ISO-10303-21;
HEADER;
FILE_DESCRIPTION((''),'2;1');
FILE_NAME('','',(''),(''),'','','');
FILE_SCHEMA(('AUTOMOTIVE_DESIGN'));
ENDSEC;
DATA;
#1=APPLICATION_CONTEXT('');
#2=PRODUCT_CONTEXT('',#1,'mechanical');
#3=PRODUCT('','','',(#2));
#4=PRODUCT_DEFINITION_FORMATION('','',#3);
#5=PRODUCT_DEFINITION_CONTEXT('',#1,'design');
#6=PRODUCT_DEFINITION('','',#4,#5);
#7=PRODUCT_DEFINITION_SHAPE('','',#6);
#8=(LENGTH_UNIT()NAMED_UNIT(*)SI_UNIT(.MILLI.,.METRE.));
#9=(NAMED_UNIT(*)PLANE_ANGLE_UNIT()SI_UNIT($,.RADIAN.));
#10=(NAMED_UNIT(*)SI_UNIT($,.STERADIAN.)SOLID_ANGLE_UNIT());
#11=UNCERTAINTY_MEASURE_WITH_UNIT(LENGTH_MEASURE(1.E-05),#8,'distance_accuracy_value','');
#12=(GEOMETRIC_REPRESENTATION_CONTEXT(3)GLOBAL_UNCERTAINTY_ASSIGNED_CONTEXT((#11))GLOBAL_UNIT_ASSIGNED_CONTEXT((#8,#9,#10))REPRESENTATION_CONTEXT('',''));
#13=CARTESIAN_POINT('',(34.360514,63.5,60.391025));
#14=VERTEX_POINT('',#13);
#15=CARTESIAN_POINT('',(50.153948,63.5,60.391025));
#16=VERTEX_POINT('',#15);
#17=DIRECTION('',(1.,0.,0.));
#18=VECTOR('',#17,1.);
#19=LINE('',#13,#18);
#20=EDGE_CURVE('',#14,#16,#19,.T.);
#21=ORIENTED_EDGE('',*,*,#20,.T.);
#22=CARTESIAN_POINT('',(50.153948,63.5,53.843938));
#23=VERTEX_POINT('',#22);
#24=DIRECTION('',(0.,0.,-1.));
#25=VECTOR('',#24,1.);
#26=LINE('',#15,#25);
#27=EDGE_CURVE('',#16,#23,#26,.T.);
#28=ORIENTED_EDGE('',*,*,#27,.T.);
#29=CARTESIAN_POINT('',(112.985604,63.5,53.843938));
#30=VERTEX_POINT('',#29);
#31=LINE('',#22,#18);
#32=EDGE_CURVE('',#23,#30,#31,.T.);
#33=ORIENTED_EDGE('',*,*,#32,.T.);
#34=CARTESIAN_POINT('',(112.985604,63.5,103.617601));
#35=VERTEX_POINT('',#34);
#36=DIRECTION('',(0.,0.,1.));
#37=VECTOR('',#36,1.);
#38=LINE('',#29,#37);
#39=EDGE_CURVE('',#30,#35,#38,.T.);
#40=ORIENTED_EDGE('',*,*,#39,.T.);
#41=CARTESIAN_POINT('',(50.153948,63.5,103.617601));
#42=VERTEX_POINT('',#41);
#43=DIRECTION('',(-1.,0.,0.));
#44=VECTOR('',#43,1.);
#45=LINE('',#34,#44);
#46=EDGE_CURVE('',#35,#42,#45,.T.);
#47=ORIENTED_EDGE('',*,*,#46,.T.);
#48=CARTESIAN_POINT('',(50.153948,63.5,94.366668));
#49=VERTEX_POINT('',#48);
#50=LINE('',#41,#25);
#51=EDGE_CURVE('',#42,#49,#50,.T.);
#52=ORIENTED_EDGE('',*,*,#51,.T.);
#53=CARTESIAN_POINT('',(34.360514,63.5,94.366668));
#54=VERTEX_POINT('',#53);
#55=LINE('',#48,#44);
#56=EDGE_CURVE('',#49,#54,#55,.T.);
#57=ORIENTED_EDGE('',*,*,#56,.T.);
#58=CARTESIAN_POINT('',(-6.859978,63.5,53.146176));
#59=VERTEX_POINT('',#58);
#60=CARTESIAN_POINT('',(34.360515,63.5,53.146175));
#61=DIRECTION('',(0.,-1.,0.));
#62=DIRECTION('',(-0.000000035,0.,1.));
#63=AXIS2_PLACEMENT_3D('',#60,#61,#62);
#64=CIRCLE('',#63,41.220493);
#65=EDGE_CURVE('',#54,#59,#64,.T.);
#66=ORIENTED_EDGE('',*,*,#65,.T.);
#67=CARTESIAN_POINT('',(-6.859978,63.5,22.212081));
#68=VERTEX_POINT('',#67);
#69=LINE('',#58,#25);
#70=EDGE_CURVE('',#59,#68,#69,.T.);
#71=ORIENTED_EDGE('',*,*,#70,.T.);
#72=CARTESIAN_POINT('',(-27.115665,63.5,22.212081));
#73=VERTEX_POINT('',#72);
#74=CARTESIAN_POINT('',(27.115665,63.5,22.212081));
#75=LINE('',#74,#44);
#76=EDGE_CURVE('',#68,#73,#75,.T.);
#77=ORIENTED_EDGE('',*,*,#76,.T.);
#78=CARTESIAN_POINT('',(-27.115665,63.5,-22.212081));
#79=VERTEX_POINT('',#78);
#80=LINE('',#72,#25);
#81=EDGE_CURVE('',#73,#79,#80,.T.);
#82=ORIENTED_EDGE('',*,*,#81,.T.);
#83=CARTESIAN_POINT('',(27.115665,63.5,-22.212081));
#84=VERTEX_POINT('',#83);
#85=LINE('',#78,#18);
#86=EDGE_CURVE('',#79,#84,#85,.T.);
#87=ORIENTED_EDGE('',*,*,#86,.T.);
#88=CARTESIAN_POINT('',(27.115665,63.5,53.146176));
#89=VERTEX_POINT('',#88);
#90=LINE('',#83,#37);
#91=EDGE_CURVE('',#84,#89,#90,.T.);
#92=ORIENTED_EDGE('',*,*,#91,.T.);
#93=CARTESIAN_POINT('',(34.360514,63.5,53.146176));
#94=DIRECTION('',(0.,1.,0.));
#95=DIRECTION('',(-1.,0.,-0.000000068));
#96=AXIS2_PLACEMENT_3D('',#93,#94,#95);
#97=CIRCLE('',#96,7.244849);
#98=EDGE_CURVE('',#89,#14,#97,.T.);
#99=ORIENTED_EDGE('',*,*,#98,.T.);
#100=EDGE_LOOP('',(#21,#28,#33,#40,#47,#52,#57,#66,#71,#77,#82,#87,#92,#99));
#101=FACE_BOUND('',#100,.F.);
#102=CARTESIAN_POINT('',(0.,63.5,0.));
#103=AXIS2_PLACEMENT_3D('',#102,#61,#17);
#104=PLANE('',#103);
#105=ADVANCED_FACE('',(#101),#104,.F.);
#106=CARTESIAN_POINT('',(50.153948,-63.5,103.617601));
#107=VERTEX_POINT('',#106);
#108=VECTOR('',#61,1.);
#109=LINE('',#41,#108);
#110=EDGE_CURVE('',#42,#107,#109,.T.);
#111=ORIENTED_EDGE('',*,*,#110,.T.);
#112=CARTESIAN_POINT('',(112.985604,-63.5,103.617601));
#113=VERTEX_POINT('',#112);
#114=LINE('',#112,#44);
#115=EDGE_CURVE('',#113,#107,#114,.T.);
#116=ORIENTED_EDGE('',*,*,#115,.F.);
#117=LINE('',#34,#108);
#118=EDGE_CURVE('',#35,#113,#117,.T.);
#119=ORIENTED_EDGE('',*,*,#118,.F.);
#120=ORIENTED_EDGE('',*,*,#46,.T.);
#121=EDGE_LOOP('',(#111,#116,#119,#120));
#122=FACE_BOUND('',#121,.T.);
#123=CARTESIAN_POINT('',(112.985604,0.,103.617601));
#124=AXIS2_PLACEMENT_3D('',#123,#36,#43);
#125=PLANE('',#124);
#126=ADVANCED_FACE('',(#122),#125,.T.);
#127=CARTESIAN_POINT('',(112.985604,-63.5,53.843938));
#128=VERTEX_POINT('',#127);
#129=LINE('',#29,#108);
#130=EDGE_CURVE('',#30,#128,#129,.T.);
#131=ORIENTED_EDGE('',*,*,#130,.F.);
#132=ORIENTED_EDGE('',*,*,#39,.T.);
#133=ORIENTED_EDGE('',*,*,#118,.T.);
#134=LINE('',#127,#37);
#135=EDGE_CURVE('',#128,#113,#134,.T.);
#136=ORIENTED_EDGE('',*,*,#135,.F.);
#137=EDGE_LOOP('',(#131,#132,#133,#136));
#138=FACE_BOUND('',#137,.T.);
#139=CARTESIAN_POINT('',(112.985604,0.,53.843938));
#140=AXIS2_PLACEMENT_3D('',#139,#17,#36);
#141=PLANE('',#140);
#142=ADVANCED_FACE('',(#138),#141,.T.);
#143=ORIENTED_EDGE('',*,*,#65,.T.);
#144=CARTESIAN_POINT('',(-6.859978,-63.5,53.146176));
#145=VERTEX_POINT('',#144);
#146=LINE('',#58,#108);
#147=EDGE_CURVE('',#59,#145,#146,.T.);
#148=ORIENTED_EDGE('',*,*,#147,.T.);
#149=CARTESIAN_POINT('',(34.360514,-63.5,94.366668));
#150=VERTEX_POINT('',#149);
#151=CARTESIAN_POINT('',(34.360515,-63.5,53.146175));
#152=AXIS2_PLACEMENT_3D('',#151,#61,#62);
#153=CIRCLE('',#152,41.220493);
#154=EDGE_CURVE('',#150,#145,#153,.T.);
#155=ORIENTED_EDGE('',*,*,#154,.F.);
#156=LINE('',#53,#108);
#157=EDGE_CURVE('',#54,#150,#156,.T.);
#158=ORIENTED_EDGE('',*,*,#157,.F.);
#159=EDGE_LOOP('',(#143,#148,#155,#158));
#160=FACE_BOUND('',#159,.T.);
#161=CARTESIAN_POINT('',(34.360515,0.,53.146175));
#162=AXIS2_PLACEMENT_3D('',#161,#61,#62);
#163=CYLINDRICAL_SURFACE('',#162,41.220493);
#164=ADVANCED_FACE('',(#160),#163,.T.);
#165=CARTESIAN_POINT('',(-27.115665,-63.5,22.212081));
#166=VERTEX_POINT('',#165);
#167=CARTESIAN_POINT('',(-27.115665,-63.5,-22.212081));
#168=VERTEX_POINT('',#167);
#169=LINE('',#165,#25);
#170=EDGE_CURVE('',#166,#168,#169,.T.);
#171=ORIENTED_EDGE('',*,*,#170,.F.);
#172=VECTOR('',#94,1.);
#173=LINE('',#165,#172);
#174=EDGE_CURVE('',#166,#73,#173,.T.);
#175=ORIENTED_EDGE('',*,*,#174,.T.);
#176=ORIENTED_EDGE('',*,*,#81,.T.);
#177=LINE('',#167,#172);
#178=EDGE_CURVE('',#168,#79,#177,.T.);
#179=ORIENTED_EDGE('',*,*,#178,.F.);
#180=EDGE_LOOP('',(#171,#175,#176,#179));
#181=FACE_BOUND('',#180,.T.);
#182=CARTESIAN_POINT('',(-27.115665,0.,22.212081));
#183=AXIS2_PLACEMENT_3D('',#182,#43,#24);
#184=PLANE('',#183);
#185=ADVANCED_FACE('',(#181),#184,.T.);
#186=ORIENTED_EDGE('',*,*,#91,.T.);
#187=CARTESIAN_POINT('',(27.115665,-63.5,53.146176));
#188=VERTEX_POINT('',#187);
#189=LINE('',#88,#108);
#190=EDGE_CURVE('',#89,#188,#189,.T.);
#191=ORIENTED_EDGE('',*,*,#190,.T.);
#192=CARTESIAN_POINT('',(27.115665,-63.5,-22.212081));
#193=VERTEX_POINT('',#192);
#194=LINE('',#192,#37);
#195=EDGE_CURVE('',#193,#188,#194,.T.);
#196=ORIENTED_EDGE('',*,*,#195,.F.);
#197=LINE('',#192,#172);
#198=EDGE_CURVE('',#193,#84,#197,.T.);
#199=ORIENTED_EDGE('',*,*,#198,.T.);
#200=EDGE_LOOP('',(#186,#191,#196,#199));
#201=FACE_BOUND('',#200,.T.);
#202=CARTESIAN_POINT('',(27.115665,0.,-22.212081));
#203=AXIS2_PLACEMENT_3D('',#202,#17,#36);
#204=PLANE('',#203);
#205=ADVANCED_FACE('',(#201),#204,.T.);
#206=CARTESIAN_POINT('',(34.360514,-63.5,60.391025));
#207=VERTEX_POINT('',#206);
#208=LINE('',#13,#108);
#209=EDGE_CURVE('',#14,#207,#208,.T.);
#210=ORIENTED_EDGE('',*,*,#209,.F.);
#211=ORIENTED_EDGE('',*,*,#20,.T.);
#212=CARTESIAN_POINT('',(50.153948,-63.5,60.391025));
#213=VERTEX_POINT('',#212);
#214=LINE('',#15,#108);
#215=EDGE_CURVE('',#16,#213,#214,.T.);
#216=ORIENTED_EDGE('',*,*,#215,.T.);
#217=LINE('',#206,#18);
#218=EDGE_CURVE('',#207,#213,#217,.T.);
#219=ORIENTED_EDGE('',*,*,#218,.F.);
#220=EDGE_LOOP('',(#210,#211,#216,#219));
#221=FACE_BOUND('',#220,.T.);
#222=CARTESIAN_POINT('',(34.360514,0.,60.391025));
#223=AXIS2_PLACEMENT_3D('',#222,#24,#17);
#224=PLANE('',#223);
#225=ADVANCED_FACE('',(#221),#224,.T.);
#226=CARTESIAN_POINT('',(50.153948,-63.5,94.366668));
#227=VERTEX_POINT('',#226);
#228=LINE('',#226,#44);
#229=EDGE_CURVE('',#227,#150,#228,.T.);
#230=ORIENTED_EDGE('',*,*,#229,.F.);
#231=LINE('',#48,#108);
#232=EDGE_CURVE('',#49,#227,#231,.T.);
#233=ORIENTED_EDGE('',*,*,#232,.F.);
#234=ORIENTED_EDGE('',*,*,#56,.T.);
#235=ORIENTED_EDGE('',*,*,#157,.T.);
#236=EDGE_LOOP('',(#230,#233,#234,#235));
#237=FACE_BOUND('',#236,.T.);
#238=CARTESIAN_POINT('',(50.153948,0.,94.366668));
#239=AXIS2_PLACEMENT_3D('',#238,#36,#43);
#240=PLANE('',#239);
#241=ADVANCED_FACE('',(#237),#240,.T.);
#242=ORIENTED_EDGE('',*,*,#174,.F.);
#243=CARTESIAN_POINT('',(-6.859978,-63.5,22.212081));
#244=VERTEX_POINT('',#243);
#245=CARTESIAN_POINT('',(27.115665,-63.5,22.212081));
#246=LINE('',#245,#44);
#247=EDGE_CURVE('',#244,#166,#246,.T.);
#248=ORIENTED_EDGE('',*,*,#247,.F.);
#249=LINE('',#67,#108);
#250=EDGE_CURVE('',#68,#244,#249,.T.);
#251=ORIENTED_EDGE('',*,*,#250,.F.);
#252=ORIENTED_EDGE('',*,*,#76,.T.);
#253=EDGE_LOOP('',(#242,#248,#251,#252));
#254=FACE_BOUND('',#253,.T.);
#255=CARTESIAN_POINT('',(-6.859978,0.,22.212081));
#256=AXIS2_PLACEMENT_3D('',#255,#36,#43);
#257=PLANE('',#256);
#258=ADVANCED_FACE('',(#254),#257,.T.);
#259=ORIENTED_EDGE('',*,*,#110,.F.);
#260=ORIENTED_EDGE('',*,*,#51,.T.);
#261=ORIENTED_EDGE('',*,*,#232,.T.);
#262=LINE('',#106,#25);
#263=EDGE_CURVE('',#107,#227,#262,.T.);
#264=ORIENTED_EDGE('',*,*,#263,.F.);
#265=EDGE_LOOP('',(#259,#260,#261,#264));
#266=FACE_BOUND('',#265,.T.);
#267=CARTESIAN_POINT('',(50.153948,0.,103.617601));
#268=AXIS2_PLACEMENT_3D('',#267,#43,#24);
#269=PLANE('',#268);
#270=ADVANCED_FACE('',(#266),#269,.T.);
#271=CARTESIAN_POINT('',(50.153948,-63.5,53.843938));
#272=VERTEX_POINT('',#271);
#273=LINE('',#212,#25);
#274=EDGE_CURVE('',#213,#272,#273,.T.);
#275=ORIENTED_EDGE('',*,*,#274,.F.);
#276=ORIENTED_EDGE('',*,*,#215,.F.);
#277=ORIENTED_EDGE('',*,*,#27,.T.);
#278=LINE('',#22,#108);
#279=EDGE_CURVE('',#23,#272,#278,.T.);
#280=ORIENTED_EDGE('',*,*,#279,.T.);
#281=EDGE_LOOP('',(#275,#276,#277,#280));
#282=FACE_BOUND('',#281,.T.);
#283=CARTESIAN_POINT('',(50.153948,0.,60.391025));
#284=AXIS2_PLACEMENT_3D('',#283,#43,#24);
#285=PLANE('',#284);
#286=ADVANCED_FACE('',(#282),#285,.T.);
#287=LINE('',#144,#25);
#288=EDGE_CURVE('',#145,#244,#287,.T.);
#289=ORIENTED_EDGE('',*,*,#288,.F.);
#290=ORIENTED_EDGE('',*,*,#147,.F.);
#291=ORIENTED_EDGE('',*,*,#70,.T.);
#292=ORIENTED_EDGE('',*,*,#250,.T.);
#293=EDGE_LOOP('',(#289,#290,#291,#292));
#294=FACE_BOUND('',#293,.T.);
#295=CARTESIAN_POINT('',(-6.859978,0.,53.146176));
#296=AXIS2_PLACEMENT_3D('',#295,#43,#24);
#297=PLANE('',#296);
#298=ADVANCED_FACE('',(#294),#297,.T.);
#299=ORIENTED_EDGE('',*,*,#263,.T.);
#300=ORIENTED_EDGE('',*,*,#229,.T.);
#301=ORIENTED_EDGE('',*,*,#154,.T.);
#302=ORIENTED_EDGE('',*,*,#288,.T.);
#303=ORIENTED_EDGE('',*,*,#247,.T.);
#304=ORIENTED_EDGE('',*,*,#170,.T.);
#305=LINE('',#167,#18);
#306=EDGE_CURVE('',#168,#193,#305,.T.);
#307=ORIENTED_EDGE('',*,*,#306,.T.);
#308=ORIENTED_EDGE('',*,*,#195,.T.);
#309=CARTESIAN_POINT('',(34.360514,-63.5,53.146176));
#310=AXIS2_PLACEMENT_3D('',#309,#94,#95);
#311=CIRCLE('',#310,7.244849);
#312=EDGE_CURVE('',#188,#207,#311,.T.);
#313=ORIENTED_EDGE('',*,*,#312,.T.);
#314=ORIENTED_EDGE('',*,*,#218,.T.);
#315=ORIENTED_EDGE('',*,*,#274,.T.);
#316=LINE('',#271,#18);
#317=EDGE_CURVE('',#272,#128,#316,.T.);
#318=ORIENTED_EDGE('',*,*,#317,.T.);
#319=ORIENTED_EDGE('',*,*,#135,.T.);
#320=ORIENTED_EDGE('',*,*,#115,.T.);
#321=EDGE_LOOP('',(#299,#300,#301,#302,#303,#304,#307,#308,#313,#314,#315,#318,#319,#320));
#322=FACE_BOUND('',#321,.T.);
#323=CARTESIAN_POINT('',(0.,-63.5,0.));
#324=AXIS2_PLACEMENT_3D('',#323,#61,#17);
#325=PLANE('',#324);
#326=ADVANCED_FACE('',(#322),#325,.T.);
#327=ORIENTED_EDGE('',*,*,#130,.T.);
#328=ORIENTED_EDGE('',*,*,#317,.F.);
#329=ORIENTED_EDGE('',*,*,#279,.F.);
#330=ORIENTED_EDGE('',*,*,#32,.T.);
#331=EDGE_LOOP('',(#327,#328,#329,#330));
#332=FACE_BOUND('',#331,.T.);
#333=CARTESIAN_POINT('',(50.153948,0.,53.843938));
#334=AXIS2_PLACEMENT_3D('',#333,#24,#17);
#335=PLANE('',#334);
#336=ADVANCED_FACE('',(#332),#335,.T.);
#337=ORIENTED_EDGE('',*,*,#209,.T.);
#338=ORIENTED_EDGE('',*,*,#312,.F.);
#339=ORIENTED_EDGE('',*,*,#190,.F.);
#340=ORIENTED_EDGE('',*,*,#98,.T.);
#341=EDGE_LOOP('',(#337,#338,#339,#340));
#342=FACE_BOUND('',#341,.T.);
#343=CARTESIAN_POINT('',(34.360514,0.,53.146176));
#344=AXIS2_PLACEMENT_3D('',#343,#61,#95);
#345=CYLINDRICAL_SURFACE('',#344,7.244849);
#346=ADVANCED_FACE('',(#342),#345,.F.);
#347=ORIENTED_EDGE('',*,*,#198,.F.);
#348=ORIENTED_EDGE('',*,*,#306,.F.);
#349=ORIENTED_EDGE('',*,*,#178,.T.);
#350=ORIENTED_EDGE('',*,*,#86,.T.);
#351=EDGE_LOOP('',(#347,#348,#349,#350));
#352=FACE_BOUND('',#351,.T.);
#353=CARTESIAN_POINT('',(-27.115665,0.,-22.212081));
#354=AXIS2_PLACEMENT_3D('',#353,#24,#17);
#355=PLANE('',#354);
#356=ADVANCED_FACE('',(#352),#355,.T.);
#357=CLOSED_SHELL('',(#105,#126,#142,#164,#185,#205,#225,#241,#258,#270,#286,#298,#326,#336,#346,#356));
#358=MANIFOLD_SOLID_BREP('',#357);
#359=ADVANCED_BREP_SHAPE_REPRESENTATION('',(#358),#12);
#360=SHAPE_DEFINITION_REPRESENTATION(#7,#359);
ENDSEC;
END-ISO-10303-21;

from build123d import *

# Parameters (mm, degrees)
F1_DEPTH = 63.5


with BuildPart() as f1:
    # F0 (on Front) → F1 (new body, symmetric)
    with BuildSketch(Plane.XZ):
        Polygon((27.115665, -22.212081), (27.115665, 22.212081), (-6.859978, 22.212081), (-27.115665, 22.212081), (-27.115665, -22.212081), align=None)
        with BuildLine():
            Line((-6.859978, 22.212081), (27.115665, 22.212081))
            Line((27.115665, 22.212081), (27.115665, 53.146176))
            ThreePointArc((27.115665, 53.146176), (29.237632, 58.269058), (34.360514, 60.391025))
            Line((34.360514, 60.391025), (50.153948, 60.391025))
            Line((50.153948, 60.391025), (50.153948, 94.366668))
            Line((50.153948, 94.366668), (34.360514, 94.366668))
            ThreePointArc((34.360514, 94.366668), (5.213225, 82.293465), (-6.859978, 53.146176))
            Line((-6.859978, 53.146176), (-6.859978, 22.212081))
        make_face()
        Polygon((50.153948, 94.366668), (50.153948, 60.391025), (50.153948, 53.843938), (112.985604, 53.843938), (112.985604, 103.617601), (50.153948, 103.617601), align=None)
    extrude(amount=F1_DEPTH, both=True)


solid = f1.part
